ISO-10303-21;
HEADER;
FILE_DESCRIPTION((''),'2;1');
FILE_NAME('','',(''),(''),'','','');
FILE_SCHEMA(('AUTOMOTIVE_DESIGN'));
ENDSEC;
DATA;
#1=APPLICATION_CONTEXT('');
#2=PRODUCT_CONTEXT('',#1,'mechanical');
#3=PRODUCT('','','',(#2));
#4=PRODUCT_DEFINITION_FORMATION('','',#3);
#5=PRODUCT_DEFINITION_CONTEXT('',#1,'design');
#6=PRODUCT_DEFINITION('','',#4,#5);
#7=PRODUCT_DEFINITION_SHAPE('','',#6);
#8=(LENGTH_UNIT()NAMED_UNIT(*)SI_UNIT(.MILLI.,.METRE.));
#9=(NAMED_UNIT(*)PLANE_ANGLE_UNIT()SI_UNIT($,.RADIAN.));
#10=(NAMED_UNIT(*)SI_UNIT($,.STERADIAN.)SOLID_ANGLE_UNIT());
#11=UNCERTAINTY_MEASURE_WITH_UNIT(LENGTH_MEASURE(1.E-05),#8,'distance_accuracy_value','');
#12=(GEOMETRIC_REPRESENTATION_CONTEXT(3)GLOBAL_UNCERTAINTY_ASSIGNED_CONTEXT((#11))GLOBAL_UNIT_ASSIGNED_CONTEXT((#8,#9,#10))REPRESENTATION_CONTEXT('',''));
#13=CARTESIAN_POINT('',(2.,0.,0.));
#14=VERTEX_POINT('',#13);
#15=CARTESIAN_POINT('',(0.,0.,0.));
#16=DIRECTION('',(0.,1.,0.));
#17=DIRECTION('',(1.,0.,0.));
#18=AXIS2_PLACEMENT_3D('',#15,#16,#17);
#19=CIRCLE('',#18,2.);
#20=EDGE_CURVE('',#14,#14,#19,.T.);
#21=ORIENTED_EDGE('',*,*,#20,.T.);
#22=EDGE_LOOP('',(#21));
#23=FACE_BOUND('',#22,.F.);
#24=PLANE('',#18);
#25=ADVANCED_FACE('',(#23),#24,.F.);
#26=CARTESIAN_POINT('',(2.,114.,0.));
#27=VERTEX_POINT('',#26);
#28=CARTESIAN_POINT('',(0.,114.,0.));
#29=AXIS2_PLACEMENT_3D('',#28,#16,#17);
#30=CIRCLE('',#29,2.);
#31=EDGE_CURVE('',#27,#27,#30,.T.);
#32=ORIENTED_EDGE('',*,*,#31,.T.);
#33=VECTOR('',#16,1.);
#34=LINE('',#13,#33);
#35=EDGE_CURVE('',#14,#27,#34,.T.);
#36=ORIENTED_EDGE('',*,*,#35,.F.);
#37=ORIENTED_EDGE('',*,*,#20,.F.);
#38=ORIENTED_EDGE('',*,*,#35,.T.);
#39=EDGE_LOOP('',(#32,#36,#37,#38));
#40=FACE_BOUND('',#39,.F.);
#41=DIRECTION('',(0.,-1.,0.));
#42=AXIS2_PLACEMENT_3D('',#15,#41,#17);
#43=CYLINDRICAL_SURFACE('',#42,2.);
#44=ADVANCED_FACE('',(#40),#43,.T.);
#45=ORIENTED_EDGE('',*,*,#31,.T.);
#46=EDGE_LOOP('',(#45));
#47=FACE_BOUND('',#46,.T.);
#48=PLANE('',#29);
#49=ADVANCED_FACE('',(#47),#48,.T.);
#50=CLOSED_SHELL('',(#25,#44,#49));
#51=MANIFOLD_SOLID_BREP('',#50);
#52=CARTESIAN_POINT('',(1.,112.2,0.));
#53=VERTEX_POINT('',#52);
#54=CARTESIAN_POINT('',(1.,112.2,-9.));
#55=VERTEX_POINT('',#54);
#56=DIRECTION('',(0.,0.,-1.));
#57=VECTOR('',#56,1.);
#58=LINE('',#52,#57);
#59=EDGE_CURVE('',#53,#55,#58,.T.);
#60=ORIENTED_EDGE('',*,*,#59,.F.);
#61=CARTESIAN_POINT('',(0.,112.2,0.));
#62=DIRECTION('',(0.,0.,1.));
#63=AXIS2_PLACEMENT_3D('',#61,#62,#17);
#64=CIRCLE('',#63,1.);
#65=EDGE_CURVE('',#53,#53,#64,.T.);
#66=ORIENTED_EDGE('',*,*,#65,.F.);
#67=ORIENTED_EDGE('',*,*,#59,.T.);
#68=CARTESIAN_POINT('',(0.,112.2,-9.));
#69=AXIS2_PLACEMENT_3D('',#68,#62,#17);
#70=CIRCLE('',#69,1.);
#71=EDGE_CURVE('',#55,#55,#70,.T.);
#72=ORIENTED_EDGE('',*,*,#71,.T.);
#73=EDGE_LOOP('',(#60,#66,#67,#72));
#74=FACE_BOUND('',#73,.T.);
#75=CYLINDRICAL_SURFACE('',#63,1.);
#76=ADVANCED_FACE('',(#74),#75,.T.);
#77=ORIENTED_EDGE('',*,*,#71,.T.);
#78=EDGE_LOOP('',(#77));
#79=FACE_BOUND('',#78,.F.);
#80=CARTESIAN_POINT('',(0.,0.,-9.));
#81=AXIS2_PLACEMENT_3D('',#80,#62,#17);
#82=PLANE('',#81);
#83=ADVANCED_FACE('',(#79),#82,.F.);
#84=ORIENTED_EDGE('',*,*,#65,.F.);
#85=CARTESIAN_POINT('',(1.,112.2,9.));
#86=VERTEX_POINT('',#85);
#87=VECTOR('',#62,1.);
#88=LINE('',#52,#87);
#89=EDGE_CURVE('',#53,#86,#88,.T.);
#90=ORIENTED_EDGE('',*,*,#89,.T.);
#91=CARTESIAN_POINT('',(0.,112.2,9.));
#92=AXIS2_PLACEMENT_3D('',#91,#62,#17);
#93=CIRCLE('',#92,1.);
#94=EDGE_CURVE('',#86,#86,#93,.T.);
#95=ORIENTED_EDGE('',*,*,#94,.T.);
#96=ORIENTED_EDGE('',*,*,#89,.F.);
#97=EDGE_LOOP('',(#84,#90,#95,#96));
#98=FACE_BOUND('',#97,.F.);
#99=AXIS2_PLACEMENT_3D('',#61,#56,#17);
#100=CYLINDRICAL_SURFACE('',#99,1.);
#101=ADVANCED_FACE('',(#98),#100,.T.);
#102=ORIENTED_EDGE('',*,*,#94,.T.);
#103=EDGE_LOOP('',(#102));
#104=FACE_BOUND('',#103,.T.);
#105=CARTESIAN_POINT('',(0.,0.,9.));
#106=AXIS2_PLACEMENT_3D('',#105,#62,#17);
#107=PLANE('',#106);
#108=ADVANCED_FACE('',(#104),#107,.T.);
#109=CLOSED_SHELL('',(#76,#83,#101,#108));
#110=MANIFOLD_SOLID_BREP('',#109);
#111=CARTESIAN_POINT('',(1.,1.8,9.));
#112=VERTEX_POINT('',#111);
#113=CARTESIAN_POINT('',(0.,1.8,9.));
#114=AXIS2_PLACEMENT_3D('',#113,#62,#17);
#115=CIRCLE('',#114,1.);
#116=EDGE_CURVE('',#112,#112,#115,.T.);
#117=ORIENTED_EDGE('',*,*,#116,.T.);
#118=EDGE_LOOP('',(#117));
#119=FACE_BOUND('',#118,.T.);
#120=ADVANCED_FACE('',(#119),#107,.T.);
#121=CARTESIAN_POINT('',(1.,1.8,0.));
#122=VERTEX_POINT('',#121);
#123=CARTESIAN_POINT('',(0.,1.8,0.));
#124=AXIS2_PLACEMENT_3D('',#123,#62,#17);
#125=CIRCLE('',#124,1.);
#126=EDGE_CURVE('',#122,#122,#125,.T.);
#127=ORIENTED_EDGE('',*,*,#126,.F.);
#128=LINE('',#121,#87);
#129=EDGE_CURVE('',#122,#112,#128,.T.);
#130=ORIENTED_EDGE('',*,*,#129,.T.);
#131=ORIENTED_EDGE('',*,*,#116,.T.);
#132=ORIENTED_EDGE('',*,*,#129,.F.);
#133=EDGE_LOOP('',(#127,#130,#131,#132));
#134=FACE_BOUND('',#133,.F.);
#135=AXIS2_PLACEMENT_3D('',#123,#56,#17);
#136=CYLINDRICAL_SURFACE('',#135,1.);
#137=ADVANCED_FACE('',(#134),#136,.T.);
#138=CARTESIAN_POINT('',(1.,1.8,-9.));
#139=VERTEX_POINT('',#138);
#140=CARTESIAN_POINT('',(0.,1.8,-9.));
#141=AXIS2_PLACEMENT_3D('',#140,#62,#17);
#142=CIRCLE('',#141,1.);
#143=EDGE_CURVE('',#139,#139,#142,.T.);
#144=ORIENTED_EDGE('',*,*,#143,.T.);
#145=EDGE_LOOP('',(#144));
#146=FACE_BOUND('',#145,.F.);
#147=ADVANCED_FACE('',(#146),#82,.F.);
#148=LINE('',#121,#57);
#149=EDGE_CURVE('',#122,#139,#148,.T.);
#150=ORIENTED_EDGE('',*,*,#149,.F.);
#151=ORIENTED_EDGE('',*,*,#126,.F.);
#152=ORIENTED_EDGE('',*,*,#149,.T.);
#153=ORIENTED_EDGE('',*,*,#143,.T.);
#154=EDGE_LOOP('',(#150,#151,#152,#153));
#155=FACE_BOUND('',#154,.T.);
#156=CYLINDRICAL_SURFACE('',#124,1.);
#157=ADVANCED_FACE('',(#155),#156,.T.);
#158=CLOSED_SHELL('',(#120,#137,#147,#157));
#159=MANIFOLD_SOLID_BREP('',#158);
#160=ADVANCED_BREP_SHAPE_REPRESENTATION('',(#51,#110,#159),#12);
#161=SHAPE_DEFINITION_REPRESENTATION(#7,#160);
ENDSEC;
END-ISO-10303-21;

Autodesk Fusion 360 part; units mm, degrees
sketch "Sketch1" plane through (0, 0, 0) normal (0, 1, 0) x (1, 0, 0)
  circle A0 centre (0, 0) radius 2
  dimension "d5" = 4
extrude "Extrude1" add sketch "Sketch1" along normal blind 114 makes body 1
sketch "Sketch2" plane through (0, 0, 0) normal (0, 0, 1) x (1, 0, 0)
  circle A0 centre (0, 1.8) radius 1
  circle A1 centre (0, 112.2) radius 1
  line L0 (2, 114) -> (-2, 114)
  dimension "d9" = 2
  dimension "d10" = 2
  dimension "d15" = 1.8
  dimension "d16" = 1.8
extrude "Extrude2" add sketch "Sketch2" along normal mid plane 18 separate body contours A1 makes body 2
extrude "Extrude3" add sketch "Sketch2" along normal mid plane 18 separate body contours A0 makes body 3
equation "length = 114 mm"
equation "radius = 2 mm"
equation "cup_little_bone_radius = 1 mm"
equation "cup_little_bone_length = 18 mm"
equation "d5 = radius * 2"
equation "edge_cup_little_bone_distance = 1.8 mm"
equation "d7 = length"
equation "d9 = cup_little_bone_radius * 2"
equation "d10 = cup_little_bone_radius * 2"
equation "d11 = cup_little_bone_length / 2"
equation "d13 = cup_little_bone_length / 2"
equation "d15 = edge_cup_little_bone_distance"
equation "d16 = edge_cup_little_bone_distance"
